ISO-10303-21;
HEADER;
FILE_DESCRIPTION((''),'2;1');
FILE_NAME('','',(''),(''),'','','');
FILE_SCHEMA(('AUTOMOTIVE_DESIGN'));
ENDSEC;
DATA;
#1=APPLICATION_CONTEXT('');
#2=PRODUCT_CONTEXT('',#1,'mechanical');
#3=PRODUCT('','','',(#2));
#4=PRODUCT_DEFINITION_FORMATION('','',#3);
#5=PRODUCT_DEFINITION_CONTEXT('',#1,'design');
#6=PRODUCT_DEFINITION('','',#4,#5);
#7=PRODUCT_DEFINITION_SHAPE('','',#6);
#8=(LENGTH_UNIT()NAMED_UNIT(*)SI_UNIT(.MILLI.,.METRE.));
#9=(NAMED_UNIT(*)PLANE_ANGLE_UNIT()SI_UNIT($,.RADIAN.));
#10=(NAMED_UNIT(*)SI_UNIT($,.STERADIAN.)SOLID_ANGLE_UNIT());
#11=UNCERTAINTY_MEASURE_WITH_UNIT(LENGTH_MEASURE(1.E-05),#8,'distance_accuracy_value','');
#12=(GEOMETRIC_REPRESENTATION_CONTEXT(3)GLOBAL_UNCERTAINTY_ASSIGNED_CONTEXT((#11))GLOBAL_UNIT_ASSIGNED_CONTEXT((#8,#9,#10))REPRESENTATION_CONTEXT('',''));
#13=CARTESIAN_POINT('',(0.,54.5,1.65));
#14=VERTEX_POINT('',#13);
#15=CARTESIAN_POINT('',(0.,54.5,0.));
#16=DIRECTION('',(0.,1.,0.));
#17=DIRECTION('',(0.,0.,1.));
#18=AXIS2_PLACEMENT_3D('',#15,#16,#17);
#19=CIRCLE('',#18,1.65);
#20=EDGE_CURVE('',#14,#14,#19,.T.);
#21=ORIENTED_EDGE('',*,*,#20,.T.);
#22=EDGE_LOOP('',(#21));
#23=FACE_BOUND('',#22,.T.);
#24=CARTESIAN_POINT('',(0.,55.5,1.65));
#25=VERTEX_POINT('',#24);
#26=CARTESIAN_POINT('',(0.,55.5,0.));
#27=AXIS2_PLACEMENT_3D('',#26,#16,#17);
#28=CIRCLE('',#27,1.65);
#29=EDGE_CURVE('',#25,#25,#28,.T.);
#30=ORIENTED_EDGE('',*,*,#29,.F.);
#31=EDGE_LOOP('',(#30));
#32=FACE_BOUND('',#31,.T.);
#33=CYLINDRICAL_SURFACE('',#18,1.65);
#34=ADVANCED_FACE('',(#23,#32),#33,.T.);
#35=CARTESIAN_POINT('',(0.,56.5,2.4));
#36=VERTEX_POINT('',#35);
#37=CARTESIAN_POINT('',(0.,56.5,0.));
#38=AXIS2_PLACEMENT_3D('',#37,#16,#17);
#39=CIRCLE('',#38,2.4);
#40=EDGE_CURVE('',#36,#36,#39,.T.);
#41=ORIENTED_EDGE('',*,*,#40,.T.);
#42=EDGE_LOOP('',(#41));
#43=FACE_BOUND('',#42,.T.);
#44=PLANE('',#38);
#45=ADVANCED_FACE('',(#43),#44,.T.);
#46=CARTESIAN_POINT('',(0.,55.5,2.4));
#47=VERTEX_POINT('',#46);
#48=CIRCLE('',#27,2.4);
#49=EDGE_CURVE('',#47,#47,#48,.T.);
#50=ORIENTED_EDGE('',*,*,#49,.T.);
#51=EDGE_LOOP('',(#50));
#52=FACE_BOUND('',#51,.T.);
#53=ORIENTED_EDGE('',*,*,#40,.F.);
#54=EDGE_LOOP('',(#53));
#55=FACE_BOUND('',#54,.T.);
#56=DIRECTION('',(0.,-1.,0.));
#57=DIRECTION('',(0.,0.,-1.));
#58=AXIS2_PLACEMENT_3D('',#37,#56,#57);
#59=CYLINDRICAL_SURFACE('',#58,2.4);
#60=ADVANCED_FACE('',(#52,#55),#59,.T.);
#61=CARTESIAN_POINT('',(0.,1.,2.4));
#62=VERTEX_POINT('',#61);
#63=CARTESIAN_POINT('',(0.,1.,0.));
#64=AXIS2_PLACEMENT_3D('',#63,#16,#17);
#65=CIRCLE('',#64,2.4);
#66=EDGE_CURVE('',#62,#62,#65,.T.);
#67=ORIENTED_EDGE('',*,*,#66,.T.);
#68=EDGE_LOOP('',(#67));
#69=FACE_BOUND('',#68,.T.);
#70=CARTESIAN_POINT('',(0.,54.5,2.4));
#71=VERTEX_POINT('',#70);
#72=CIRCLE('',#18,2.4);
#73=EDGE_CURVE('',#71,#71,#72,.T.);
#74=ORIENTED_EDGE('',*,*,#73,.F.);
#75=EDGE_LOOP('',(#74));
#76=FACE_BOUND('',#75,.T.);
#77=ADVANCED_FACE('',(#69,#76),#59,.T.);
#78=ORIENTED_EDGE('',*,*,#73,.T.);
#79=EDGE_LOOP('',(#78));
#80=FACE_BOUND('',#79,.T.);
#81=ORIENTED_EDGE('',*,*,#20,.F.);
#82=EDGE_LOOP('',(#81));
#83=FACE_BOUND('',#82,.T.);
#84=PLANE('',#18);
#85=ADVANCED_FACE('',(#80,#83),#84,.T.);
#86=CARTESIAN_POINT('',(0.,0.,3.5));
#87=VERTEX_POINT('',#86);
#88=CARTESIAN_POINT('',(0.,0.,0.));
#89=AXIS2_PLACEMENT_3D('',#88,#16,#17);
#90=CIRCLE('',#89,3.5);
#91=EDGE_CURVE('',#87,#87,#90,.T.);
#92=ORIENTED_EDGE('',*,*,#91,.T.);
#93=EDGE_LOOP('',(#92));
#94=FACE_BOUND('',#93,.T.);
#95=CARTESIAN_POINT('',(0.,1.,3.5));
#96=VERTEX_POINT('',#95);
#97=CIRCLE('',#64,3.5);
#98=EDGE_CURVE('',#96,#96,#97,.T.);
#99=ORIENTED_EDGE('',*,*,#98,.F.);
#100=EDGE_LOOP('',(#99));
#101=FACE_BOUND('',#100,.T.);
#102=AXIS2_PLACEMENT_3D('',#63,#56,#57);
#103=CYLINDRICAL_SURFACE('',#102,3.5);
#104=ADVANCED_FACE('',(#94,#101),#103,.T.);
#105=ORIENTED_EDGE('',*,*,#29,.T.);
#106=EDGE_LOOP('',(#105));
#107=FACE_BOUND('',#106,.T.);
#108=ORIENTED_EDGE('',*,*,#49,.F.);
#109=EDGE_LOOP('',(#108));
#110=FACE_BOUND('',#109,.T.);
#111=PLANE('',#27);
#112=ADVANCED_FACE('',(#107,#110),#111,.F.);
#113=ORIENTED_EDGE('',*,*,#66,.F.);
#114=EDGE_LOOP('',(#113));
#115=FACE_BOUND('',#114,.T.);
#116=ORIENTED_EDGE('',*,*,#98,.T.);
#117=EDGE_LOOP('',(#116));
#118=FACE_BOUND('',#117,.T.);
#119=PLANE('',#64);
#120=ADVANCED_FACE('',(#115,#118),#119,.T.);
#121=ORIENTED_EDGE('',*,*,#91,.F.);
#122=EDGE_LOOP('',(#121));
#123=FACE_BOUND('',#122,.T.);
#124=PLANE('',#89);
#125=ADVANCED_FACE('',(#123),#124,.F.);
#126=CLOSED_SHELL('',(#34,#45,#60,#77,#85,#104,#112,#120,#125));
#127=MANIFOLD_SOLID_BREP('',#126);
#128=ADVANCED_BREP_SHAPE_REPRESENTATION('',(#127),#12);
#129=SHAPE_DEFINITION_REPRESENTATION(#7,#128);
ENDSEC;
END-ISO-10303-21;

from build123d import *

# Parameters (mm, degrees)
CROQUIS1_R              = 3.5
CROQUIS1_R_2            = 2.4
SALIENTE_EXTRUIR1_DEPTH = 1
CROQUIS1_2_R            = 2.4
SALIENTE_EXTRUIR2_DEPTH = 56.5
CORTAR_EXTRUIR1_START   = -2
CROQUIS2_R              = 2.4
CROQUIS2_R_2            = 1.65
CORTAR_EXTRUIR1_DEPTH   = 1


with BuildPart() as part:
    # Croquis1 → Saliente-Extruir1 (new body)
    with BuildSketch(Plane(origin=(0, 0, 0), x_dir=(1, 0, 0), z_dir=(0, 1, 0))):
        Circle(CROQUIS1_R)
        Circle(CROQUIS1_R_2, mode=Mode.SUBTRACT)
    extrude(amount=SALIENTE_EXTRUIR1_DEPTH)

    # Croquis1<2> → Saliente-Extruir2 (add)
    with BuildSketch(Plane(origin=(0, 0, 0), x_dir=(1, 0, 0), z_dir=(0, 1, 0))):
        Circle(CROQUIS1_2_R)
    extrude(amount=SALIENTE_EXTRUIR2_DEPTH)

    # Croquis2 → Cortar-Extruir1 (cut)
    with BuildSketch(Plane(origin=(0, 56.5, 0), x_dir=(1, 0, 0), z_dir=(0, 1, 0)).offset(CORTAR_EXTRUIR1_START)):
        Circle(CROQUIS2_R)
        Circle(CROQUIS2_R_2, mode=Mode.SUBTRACT)
    extrude(amount=CORTAR_EXTRUIR1_DEPTH, mode=Mode.SUBTRACT)


solid = part.part
